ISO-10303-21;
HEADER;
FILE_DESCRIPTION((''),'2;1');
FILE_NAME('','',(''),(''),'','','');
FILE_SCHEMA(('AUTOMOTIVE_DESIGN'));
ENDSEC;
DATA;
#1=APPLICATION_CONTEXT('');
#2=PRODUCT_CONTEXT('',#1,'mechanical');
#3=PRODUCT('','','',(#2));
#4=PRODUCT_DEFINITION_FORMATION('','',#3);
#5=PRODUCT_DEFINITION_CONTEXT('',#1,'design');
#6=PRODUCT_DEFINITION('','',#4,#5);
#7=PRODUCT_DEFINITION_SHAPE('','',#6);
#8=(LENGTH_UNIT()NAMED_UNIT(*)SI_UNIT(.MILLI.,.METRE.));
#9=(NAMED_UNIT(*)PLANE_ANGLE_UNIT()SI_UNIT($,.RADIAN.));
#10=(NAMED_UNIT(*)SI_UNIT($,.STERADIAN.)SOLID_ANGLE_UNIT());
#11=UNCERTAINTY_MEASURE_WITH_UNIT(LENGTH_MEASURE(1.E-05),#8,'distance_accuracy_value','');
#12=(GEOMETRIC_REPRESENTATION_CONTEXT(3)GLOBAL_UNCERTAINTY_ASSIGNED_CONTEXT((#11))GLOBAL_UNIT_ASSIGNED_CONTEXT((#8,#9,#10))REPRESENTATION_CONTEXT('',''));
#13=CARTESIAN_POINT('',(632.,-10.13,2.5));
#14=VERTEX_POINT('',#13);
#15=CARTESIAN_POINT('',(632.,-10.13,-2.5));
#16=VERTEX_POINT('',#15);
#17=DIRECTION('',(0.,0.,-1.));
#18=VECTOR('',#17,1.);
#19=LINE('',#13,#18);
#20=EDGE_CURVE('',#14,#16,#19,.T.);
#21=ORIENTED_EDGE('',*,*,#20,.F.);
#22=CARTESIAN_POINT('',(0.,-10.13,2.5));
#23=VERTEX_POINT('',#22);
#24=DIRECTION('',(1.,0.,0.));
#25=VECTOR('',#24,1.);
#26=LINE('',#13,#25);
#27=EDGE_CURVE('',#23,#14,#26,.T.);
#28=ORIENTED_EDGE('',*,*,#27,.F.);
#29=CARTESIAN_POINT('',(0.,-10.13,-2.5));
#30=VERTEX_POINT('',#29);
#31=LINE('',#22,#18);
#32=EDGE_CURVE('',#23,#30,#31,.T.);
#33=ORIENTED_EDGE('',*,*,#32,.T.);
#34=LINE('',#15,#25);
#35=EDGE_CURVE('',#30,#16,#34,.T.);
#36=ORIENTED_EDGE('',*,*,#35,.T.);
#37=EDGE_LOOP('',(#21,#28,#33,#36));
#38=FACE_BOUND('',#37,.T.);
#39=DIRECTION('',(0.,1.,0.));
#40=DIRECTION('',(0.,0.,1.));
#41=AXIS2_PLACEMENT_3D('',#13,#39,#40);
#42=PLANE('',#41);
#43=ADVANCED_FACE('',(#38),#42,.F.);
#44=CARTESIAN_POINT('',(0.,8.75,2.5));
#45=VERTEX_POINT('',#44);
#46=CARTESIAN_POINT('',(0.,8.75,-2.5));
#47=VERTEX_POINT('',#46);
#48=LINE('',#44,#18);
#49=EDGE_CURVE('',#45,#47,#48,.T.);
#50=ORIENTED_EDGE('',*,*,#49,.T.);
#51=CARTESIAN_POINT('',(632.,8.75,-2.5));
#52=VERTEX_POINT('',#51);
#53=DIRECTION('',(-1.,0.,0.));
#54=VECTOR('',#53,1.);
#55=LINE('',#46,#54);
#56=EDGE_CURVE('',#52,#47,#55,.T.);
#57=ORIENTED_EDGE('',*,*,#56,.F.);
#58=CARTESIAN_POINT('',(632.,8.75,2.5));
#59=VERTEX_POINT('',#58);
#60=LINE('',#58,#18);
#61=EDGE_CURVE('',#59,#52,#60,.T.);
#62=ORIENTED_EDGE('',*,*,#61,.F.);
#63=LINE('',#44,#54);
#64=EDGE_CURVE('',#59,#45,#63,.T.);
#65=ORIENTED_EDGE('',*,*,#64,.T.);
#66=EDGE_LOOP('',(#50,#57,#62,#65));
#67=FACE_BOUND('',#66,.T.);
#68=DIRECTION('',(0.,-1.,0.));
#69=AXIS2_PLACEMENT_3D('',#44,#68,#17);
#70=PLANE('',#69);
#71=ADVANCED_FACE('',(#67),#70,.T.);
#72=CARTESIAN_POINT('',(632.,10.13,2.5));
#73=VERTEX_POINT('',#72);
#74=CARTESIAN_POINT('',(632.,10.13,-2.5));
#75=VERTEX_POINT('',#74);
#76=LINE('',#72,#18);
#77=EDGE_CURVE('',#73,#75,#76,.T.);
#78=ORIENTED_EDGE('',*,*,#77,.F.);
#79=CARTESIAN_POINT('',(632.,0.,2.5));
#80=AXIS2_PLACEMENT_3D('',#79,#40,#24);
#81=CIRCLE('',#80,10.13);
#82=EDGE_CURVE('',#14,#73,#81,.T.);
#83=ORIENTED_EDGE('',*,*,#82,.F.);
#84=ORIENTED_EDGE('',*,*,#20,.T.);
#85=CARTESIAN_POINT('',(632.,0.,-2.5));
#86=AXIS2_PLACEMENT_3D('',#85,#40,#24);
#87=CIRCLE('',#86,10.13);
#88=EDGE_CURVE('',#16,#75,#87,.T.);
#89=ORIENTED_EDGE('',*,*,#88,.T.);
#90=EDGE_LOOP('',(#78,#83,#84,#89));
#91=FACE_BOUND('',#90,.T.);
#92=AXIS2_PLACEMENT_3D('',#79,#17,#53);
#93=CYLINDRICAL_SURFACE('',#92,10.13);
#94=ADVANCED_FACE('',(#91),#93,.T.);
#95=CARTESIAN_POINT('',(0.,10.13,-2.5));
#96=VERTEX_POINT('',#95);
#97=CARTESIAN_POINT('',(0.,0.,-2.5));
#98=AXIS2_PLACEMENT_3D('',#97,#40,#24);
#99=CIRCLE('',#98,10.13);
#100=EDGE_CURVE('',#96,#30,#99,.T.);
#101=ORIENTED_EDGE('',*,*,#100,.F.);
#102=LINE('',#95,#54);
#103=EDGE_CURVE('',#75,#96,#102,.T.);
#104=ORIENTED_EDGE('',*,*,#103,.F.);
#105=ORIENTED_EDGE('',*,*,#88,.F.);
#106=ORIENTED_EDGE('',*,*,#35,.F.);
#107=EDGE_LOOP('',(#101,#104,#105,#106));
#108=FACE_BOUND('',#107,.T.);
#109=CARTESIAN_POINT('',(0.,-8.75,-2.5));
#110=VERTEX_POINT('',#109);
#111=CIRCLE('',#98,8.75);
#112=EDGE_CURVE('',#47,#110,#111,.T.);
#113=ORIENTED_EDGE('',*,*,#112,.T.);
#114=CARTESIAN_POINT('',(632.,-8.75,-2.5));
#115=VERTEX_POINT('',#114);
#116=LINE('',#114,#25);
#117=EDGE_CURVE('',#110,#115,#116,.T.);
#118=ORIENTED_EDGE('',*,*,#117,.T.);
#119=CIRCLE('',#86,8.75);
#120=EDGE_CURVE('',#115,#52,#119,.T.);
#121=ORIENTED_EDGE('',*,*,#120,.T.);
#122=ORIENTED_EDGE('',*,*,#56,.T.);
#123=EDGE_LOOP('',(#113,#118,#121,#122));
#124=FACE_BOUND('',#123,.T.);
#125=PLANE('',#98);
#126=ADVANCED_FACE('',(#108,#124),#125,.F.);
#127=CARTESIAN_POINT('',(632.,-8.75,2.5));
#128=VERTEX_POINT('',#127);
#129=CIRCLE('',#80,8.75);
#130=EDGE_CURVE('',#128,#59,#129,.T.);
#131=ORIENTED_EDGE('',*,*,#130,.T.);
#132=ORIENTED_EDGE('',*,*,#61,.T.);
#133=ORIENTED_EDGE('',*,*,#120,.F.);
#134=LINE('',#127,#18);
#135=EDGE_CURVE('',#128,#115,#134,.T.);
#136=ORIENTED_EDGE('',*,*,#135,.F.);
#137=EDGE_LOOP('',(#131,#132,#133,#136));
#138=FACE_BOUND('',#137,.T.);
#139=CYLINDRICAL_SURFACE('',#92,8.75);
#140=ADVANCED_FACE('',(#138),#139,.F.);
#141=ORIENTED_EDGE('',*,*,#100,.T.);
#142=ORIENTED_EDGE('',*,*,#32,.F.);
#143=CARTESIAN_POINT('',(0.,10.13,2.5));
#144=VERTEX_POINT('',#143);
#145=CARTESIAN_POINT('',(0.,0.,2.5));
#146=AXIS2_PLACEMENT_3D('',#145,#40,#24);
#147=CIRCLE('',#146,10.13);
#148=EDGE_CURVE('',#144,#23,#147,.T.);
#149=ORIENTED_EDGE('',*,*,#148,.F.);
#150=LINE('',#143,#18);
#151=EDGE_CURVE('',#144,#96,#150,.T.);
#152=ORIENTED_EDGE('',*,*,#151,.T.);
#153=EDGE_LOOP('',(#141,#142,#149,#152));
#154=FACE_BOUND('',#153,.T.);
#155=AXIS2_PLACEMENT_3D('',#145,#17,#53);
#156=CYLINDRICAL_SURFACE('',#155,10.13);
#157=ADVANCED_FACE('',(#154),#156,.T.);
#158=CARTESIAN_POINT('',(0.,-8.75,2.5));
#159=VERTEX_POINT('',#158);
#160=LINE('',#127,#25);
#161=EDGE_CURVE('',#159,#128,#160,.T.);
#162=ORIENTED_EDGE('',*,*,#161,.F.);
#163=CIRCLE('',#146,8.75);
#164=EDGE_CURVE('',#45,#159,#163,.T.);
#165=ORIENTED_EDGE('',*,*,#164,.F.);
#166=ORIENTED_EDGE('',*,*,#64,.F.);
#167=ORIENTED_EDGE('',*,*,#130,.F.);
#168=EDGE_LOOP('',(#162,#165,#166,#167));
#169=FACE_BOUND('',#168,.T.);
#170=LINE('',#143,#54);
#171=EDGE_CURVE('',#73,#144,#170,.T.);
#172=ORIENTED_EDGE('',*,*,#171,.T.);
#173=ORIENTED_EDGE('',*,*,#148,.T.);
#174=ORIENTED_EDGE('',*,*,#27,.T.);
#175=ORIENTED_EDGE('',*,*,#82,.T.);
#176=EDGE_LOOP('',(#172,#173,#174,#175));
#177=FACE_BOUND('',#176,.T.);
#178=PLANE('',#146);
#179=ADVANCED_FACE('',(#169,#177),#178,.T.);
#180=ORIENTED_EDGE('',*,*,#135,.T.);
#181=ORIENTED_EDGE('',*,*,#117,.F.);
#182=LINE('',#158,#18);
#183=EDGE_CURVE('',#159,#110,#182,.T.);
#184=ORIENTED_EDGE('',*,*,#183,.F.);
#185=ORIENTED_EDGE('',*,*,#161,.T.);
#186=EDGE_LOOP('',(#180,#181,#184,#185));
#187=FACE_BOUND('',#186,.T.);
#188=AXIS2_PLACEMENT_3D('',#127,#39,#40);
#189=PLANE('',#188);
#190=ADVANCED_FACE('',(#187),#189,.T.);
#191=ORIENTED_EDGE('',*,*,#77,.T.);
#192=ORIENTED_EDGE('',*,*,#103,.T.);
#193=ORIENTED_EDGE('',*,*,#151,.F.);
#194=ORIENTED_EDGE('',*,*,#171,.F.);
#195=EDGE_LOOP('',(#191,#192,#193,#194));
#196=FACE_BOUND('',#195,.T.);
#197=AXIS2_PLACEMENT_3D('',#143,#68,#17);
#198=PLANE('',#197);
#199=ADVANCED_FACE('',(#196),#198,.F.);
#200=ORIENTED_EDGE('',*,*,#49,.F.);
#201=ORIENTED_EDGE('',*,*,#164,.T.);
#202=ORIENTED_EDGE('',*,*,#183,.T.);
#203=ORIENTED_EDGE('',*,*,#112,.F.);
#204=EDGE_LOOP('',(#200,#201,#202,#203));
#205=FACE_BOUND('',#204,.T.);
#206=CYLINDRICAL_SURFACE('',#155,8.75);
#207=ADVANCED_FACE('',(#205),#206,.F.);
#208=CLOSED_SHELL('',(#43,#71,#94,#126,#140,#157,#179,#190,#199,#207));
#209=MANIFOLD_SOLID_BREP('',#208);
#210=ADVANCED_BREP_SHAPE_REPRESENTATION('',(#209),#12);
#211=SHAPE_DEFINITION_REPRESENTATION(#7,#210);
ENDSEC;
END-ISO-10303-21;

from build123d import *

# Parameters (mm, degrees)
EXTRUDE_THIN1_DEPTH = 2.5


with BuildPart() as part:
    # Sketch1 → Extrude-Thin1 (new, symmetric)
    with BuildSketch(Plane.XY):
        with BuildLine():
            Line((632, -10.13), (0, -10.13))
            ThreePointArc((0, -10.13), (-10.13, 0), (0, 10.13))
            Line((0, 10.13), (632, 10.13))
            ThreePointArc((632, 10.13), (642.13, 0), (632, -10.13))
        make_face()
        with BuildLine():
            Line((632, -8.75), (0, -8.75))
            ThreePointArc((0, -8.75), (-8.75, 0), (0, 8.75))
            Line((0, 8.75), (632, 8.75))
            ThreePointArc((632, 8.75), (640.75, 0), (632, -8.75))
        make_face(mode=Mode.SUBTRACT)
    extrude(amount=EXTRUDE_THIN1_DEPTH, both=True)


solid = part.part
